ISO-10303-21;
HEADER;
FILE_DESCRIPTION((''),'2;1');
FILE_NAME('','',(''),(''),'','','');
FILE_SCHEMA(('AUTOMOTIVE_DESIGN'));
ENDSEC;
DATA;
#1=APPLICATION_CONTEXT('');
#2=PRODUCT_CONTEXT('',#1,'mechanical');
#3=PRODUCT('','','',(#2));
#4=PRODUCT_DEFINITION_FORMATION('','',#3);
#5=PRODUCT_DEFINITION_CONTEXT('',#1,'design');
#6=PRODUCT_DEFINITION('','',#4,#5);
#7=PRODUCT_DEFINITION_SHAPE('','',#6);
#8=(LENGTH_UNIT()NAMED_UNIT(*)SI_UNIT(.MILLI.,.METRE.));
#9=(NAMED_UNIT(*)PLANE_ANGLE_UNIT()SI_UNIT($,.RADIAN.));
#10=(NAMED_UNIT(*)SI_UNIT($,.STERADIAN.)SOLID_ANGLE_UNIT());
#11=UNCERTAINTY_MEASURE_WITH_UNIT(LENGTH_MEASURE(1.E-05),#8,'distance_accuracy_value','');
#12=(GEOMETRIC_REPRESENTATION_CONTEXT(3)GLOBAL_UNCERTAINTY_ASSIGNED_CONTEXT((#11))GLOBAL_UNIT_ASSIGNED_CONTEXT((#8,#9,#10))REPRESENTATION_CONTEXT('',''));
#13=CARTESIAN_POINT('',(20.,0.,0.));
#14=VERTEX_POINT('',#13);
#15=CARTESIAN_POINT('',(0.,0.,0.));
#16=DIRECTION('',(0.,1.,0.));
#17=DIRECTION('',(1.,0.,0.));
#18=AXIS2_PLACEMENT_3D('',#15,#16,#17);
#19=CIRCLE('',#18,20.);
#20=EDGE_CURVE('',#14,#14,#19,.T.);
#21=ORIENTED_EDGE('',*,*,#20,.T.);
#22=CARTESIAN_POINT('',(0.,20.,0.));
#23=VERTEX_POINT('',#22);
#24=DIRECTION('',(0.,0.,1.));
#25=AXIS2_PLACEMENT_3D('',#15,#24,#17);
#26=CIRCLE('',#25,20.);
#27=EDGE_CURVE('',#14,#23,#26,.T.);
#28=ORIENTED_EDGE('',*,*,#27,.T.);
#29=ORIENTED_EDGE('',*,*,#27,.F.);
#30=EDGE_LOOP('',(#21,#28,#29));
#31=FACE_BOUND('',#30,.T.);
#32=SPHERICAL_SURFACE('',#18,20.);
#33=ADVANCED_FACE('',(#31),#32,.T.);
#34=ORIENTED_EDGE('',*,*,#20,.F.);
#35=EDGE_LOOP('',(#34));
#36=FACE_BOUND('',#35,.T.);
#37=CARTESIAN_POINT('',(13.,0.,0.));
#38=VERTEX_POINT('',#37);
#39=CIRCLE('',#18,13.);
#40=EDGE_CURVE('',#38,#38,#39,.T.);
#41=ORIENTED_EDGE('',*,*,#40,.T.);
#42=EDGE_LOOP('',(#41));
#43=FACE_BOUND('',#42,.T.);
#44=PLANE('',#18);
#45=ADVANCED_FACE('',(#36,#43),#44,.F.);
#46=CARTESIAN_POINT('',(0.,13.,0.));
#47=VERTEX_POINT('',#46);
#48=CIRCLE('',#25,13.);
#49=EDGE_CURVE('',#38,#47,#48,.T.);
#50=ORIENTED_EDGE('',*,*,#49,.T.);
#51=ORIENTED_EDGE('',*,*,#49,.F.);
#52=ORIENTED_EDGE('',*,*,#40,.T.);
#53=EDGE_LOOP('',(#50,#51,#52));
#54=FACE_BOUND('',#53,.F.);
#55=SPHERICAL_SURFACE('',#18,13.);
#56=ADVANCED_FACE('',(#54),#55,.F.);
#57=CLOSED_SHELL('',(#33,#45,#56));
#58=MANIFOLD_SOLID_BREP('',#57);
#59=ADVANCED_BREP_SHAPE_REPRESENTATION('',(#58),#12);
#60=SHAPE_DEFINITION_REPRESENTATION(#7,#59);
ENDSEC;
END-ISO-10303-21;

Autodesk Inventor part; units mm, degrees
ref_plane "YZ Plane" through (0, 0, 0) normal (1, 0, 0) x (0, 1, 0)
ref_plane "XZ Plane" through (0, 0, 0) normal (0, 1, 0) x (-1, 0, 0)
ref_plane "XY Plane" through (0, 0, 0) normal (0, 0, 1) x (1, 0, 0)
sketch "Sketch1" plane through (0, 0, 0) normal (0, 0, 1) x (1, 0, 0)
  line L0 (0, 0) -> (0, 20)
  line L1 (0, 0) -> (20, 0)
  arc A0 (20, 0) -> (0, 20) centre (0, 0) ccw
  line L2 (0, -4.8284) -> (0, 28.9706) projected
  dimension "d2" = 20
revolve "Revolution1" add sketch "Sketch1" angle 360 about axis through (0, -10, 0) along (0, 1, 0)
shell "Shell2" thickness 7 removed faces 1 at (-2.364, 0, -6.2334)
properties part number "Ball_Upper Half" material "Nylon 6/6"
